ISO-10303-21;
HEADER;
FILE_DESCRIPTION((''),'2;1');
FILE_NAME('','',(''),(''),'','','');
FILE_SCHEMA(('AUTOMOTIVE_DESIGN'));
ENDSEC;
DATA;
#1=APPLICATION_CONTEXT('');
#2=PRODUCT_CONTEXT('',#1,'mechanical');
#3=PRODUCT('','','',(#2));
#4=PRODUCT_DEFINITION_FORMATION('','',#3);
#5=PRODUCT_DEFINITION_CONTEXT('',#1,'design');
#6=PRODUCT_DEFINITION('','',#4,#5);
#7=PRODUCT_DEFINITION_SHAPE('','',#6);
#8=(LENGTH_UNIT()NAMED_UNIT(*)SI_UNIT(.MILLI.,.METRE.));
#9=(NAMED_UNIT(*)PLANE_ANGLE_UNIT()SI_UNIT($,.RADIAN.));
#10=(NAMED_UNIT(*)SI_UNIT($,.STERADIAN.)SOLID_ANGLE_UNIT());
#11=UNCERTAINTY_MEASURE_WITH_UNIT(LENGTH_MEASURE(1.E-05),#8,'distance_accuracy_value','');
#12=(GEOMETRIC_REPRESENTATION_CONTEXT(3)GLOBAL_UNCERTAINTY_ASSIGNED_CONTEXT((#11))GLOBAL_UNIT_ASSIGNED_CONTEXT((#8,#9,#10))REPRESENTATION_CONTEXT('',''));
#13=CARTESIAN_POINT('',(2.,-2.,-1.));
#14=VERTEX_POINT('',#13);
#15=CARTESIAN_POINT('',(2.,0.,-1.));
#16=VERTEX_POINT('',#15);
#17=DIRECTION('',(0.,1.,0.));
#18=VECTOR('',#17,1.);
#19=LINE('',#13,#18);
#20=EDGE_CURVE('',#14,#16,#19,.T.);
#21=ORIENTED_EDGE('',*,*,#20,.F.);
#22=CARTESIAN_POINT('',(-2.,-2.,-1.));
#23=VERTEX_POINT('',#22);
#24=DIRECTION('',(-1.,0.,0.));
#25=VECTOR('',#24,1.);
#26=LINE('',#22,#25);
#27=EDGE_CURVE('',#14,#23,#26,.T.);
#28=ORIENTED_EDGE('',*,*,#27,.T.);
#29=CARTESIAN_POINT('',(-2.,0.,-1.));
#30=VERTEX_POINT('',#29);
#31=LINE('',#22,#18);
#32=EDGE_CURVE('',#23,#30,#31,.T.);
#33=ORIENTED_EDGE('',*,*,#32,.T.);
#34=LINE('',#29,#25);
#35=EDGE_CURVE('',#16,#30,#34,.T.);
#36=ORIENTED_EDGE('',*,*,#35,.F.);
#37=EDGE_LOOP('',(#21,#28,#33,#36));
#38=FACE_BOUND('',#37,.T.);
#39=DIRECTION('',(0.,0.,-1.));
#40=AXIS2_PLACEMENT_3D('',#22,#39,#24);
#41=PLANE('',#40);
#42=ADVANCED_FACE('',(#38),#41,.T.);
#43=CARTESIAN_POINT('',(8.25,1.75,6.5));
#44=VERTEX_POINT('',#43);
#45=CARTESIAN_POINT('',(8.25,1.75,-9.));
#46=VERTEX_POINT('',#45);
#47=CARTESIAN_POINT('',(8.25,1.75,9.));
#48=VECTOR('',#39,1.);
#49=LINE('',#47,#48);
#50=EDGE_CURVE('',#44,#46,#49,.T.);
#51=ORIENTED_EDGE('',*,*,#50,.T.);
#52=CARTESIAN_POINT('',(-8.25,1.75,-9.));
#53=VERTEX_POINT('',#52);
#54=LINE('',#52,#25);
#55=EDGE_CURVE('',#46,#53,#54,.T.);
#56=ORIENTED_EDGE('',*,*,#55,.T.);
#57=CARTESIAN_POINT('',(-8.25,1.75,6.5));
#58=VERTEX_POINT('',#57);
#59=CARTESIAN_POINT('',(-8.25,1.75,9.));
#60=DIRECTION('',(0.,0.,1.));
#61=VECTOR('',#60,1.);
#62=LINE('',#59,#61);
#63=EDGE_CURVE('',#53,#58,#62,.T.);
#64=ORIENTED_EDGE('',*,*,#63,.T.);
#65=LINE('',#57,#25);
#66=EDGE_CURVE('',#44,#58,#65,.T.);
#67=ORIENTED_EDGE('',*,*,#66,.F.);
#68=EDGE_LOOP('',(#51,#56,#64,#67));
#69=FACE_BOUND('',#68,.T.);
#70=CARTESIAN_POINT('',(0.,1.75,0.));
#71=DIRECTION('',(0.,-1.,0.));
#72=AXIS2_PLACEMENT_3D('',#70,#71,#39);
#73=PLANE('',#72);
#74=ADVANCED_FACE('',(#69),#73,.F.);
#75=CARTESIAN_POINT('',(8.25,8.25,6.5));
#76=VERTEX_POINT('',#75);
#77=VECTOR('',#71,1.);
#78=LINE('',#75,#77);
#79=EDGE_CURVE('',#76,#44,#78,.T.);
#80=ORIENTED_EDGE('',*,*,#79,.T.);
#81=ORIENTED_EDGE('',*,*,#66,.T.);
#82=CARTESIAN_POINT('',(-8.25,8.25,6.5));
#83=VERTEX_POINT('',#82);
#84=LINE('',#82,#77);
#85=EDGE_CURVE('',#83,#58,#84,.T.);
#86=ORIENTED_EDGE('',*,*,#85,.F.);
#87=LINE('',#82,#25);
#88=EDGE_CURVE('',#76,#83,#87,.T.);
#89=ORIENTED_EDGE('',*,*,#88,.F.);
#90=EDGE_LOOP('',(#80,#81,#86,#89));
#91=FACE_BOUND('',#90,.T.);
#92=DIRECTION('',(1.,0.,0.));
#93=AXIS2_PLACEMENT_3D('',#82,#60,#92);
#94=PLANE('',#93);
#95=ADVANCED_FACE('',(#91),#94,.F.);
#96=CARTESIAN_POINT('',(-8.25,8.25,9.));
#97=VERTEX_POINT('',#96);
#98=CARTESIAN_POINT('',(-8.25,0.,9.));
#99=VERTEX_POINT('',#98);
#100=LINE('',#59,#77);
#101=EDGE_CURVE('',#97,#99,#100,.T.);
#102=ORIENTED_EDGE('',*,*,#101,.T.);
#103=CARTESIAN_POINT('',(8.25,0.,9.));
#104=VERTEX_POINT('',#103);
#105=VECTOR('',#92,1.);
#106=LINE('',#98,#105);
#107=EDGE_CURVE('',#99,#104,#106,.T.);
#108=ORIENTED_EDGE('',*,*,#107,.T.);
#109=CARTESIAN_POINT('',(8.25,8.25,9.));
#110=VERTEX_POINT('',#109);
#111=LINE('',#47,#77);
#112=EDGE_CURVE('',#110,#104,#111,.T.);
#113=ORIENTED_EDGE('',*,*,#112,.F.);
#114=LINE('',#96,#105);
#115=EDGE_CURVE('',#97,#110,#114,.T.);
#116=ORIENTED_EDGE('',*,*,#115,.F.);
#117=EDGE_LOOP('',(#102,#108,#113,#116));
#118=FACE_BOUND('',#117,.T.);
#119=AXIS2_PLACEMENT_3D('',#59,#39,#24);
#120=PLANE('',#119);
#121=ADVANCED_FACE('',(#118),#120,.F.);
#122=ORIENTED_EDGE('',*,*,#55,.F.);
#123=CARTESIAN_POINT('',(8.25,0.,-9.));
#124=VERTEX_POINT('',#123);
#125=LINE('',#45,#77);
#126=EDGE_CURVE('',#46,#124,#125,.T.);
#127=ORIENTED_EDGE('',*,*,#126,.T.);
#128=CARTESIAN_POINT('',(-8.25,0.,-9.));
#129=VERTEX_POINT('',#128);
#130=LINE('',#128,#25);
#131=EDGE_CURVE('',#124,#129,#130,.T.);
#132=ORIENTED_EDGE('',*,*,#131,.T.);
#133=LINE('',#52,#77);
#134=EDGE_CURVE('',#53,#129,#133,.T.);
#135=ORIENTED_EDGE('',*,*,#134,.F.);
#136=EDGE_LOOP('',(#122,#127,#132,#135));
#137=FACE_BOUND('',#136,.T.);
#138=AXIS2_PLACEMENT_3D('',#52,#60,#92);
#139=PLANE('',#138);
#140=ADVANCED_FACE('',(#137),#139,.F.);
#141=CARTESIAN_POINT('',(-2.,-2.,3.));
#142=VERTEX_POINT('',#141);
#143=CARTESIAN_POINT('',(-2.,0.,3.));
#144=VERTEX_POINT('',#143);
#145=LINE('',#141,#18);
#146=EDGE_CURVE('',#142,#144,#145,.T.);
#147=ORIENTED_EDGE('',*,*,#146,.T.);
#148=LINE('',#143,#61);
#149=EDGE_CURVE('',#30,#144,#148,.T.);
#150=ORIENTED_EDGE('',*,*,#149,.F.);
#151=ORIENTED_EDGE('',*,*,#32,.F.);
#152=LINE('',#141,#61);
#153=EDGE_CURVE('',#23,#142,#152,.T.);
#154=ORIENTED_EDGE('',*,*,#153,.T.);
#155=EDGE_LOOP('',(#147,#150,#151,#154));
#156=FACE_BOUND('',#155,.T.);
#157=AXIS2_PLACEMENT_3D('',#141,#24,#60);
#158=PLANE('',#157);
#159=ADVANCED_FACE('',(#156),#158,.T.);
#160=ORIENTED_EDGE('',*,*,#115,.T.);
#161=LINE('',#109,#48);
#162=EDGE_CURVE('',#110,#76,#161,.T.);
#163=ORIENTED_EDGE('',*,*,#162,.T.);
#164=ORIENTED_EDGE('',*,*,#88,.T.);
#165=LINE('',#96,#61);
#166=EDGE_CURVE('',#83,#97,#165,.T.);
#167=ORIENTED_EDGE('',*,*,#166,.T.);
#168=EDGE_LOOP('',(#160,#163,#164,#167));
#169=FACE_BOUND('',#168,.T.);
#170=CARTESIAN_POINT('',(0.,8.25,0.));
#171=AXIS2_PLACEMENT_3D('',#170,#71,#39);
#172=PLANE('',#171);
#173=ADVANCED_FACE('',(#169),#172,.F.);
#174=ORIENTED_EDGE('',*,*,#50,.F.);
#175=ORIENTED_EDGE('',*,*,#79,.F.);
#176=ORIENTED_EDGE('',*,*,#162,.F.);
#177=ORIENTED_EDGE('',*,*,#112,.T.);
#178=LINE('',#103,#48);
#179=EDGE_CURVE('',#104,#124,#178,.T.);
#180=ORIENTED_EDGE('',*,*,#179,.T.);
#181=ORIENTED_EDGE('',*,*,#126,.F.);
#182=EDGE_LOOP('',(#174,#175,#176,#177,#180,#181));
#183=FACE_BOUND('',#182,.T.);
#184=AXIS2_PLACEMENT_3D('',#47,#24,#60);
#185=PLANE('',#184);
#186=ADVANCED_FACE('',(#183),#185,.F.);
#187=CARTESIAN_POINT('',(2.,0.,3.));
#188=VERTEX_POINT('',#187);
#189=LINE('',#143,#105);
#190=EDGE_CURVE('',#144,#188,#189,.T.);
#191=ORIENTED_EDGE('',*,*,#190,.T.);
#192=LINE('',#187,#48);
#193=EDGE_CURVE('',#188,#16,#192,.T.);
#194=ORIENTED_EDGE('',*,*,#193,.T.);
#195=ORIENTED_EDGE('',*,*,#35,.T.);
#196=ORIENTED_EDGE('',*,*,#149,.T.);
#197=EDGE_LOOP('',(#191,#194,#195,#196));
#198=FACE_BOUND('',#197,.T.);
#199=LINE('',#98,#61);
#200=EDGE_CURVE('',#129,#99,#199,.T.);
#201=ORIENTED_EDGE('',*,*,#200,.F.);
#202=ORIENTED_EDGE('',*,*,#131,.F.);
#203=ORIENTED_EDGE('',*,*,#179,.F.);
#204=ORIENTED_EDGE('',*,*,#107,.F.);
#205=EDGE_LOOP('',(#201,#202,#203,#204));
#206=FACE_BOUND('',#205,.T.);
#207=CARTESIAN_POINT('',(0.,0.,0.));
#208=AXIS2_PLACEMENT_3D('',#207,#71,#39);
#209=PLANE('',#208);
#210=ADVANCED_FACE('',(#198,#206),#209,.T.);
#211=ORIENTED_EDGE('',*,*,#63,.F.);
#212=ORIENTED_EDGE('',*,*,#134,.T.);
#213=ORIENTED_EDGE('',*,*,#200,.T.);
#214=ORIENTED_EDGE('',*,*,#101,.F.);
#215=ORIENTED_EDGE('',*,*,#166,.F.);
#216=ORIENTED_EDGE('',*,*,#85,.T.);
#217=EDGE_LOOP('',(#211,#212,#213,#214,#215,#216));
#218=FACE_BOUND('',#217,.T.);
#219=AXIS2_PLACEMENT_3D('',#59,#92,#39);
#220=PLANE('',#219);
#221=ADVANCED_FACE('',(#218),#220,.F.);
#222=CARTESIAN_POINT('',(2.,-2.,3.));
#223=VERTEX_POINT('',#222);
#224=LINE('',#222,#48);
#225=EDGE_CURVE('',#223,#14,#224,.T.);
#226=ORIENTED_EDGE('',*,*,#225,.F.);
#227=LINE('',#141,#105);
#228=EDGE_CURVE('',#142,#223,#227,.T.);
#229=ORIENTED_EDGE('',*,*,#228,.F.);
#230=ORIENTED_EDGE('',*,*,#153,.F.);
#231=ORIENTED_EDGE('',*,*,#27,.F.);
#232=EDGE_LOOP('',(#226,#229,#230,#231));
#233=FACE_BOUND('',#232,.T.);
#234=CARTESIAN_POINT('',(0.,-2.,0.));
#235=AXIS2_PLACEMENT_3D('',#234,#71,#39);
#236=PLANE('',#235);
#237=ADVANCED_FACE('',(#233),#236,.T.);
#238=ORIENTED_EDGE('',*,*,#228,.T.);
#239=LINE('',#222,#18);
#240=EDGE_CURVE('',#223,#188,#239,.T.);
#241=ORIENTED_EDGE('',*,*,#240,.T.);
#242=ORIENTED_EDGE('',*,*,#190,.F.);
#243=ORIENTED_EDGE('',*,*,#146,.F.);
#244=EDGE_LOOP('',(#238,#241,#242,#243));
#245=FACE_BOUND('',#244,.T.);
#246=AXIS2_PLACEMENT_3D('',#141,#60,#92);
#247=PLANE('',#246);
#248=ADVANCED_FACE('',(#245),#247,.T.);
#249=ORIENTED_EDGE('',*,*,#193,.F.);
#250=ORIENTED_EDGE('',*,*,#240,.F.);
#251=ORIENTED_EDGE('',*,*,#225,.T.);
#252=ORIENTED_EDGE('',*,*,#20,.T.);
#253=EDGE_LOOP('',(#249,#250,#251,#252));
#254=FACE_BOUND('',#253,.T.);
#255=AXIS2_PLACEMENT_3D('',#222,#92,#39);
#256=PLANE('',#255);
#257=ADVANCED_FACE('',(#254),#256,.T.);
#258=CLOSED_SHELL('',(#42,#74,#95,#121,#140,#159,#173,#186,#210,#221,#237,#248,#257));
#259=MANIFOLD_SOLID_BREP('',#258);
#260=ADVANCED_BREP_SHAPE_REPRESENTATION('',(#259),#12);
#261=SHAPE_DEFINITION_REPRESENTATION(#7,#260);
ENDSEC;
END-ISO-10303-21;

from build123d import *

# Parameters (mm, degrees)
SKETCH1_W           = 16.5
SKETCH1_H           = 18
BOSS_EXTRUDE1_DEPTH = 1.75
SKETCH3_W           = 16.5
SKETCH3_H           = 2.5
BOSS_EXTRUDE2_DEPTH = 6.5
SKETCH2_W           = 4
SKETCH2_H           = 4
BOSS_EXTRUDE3_DEPTH = 2


with BuildPart() as part:
    # Sketch1 → Boss-Extrude1 (new body)
    with BuildSketch(Plane(origin=(0, 0, 0), x_dir=(1, 0, 0), z_dir=(0, 1, 0))):
        Rectangle(SKETCH1_W, SKETCH1_H)
    extrude(amount=BOSS_EXTRUDE1_DEPTH)

    # Sketch3 → Boss-Extrude2 (add)
    with BuildSketch(Plane(origin=(0, 1.75, 0), x_dir=(1, 0, 0), z_dir=(0, 1, 0))):
        with Locations((0, -7.75)):
            Rectangle(SKETCH3_W, SKETCH3_H)
    extrude(amount=BOSS_EXTRUDE2_DEPTH)

    # Sketch2 → Boss-Extrude3 (add)
    with BuildSketch(Plane(origin=(0, 0, 0), x_dir=(1, 0, 0), z_dir=(0, 1, 0))):
        with Locations((0, -1)):
            Rectangle(SKETCH2_W, SKETCH2_H)
    extrude(amount=-BOSS_EXTRUDE3_DEPTH)


solid = part.part
